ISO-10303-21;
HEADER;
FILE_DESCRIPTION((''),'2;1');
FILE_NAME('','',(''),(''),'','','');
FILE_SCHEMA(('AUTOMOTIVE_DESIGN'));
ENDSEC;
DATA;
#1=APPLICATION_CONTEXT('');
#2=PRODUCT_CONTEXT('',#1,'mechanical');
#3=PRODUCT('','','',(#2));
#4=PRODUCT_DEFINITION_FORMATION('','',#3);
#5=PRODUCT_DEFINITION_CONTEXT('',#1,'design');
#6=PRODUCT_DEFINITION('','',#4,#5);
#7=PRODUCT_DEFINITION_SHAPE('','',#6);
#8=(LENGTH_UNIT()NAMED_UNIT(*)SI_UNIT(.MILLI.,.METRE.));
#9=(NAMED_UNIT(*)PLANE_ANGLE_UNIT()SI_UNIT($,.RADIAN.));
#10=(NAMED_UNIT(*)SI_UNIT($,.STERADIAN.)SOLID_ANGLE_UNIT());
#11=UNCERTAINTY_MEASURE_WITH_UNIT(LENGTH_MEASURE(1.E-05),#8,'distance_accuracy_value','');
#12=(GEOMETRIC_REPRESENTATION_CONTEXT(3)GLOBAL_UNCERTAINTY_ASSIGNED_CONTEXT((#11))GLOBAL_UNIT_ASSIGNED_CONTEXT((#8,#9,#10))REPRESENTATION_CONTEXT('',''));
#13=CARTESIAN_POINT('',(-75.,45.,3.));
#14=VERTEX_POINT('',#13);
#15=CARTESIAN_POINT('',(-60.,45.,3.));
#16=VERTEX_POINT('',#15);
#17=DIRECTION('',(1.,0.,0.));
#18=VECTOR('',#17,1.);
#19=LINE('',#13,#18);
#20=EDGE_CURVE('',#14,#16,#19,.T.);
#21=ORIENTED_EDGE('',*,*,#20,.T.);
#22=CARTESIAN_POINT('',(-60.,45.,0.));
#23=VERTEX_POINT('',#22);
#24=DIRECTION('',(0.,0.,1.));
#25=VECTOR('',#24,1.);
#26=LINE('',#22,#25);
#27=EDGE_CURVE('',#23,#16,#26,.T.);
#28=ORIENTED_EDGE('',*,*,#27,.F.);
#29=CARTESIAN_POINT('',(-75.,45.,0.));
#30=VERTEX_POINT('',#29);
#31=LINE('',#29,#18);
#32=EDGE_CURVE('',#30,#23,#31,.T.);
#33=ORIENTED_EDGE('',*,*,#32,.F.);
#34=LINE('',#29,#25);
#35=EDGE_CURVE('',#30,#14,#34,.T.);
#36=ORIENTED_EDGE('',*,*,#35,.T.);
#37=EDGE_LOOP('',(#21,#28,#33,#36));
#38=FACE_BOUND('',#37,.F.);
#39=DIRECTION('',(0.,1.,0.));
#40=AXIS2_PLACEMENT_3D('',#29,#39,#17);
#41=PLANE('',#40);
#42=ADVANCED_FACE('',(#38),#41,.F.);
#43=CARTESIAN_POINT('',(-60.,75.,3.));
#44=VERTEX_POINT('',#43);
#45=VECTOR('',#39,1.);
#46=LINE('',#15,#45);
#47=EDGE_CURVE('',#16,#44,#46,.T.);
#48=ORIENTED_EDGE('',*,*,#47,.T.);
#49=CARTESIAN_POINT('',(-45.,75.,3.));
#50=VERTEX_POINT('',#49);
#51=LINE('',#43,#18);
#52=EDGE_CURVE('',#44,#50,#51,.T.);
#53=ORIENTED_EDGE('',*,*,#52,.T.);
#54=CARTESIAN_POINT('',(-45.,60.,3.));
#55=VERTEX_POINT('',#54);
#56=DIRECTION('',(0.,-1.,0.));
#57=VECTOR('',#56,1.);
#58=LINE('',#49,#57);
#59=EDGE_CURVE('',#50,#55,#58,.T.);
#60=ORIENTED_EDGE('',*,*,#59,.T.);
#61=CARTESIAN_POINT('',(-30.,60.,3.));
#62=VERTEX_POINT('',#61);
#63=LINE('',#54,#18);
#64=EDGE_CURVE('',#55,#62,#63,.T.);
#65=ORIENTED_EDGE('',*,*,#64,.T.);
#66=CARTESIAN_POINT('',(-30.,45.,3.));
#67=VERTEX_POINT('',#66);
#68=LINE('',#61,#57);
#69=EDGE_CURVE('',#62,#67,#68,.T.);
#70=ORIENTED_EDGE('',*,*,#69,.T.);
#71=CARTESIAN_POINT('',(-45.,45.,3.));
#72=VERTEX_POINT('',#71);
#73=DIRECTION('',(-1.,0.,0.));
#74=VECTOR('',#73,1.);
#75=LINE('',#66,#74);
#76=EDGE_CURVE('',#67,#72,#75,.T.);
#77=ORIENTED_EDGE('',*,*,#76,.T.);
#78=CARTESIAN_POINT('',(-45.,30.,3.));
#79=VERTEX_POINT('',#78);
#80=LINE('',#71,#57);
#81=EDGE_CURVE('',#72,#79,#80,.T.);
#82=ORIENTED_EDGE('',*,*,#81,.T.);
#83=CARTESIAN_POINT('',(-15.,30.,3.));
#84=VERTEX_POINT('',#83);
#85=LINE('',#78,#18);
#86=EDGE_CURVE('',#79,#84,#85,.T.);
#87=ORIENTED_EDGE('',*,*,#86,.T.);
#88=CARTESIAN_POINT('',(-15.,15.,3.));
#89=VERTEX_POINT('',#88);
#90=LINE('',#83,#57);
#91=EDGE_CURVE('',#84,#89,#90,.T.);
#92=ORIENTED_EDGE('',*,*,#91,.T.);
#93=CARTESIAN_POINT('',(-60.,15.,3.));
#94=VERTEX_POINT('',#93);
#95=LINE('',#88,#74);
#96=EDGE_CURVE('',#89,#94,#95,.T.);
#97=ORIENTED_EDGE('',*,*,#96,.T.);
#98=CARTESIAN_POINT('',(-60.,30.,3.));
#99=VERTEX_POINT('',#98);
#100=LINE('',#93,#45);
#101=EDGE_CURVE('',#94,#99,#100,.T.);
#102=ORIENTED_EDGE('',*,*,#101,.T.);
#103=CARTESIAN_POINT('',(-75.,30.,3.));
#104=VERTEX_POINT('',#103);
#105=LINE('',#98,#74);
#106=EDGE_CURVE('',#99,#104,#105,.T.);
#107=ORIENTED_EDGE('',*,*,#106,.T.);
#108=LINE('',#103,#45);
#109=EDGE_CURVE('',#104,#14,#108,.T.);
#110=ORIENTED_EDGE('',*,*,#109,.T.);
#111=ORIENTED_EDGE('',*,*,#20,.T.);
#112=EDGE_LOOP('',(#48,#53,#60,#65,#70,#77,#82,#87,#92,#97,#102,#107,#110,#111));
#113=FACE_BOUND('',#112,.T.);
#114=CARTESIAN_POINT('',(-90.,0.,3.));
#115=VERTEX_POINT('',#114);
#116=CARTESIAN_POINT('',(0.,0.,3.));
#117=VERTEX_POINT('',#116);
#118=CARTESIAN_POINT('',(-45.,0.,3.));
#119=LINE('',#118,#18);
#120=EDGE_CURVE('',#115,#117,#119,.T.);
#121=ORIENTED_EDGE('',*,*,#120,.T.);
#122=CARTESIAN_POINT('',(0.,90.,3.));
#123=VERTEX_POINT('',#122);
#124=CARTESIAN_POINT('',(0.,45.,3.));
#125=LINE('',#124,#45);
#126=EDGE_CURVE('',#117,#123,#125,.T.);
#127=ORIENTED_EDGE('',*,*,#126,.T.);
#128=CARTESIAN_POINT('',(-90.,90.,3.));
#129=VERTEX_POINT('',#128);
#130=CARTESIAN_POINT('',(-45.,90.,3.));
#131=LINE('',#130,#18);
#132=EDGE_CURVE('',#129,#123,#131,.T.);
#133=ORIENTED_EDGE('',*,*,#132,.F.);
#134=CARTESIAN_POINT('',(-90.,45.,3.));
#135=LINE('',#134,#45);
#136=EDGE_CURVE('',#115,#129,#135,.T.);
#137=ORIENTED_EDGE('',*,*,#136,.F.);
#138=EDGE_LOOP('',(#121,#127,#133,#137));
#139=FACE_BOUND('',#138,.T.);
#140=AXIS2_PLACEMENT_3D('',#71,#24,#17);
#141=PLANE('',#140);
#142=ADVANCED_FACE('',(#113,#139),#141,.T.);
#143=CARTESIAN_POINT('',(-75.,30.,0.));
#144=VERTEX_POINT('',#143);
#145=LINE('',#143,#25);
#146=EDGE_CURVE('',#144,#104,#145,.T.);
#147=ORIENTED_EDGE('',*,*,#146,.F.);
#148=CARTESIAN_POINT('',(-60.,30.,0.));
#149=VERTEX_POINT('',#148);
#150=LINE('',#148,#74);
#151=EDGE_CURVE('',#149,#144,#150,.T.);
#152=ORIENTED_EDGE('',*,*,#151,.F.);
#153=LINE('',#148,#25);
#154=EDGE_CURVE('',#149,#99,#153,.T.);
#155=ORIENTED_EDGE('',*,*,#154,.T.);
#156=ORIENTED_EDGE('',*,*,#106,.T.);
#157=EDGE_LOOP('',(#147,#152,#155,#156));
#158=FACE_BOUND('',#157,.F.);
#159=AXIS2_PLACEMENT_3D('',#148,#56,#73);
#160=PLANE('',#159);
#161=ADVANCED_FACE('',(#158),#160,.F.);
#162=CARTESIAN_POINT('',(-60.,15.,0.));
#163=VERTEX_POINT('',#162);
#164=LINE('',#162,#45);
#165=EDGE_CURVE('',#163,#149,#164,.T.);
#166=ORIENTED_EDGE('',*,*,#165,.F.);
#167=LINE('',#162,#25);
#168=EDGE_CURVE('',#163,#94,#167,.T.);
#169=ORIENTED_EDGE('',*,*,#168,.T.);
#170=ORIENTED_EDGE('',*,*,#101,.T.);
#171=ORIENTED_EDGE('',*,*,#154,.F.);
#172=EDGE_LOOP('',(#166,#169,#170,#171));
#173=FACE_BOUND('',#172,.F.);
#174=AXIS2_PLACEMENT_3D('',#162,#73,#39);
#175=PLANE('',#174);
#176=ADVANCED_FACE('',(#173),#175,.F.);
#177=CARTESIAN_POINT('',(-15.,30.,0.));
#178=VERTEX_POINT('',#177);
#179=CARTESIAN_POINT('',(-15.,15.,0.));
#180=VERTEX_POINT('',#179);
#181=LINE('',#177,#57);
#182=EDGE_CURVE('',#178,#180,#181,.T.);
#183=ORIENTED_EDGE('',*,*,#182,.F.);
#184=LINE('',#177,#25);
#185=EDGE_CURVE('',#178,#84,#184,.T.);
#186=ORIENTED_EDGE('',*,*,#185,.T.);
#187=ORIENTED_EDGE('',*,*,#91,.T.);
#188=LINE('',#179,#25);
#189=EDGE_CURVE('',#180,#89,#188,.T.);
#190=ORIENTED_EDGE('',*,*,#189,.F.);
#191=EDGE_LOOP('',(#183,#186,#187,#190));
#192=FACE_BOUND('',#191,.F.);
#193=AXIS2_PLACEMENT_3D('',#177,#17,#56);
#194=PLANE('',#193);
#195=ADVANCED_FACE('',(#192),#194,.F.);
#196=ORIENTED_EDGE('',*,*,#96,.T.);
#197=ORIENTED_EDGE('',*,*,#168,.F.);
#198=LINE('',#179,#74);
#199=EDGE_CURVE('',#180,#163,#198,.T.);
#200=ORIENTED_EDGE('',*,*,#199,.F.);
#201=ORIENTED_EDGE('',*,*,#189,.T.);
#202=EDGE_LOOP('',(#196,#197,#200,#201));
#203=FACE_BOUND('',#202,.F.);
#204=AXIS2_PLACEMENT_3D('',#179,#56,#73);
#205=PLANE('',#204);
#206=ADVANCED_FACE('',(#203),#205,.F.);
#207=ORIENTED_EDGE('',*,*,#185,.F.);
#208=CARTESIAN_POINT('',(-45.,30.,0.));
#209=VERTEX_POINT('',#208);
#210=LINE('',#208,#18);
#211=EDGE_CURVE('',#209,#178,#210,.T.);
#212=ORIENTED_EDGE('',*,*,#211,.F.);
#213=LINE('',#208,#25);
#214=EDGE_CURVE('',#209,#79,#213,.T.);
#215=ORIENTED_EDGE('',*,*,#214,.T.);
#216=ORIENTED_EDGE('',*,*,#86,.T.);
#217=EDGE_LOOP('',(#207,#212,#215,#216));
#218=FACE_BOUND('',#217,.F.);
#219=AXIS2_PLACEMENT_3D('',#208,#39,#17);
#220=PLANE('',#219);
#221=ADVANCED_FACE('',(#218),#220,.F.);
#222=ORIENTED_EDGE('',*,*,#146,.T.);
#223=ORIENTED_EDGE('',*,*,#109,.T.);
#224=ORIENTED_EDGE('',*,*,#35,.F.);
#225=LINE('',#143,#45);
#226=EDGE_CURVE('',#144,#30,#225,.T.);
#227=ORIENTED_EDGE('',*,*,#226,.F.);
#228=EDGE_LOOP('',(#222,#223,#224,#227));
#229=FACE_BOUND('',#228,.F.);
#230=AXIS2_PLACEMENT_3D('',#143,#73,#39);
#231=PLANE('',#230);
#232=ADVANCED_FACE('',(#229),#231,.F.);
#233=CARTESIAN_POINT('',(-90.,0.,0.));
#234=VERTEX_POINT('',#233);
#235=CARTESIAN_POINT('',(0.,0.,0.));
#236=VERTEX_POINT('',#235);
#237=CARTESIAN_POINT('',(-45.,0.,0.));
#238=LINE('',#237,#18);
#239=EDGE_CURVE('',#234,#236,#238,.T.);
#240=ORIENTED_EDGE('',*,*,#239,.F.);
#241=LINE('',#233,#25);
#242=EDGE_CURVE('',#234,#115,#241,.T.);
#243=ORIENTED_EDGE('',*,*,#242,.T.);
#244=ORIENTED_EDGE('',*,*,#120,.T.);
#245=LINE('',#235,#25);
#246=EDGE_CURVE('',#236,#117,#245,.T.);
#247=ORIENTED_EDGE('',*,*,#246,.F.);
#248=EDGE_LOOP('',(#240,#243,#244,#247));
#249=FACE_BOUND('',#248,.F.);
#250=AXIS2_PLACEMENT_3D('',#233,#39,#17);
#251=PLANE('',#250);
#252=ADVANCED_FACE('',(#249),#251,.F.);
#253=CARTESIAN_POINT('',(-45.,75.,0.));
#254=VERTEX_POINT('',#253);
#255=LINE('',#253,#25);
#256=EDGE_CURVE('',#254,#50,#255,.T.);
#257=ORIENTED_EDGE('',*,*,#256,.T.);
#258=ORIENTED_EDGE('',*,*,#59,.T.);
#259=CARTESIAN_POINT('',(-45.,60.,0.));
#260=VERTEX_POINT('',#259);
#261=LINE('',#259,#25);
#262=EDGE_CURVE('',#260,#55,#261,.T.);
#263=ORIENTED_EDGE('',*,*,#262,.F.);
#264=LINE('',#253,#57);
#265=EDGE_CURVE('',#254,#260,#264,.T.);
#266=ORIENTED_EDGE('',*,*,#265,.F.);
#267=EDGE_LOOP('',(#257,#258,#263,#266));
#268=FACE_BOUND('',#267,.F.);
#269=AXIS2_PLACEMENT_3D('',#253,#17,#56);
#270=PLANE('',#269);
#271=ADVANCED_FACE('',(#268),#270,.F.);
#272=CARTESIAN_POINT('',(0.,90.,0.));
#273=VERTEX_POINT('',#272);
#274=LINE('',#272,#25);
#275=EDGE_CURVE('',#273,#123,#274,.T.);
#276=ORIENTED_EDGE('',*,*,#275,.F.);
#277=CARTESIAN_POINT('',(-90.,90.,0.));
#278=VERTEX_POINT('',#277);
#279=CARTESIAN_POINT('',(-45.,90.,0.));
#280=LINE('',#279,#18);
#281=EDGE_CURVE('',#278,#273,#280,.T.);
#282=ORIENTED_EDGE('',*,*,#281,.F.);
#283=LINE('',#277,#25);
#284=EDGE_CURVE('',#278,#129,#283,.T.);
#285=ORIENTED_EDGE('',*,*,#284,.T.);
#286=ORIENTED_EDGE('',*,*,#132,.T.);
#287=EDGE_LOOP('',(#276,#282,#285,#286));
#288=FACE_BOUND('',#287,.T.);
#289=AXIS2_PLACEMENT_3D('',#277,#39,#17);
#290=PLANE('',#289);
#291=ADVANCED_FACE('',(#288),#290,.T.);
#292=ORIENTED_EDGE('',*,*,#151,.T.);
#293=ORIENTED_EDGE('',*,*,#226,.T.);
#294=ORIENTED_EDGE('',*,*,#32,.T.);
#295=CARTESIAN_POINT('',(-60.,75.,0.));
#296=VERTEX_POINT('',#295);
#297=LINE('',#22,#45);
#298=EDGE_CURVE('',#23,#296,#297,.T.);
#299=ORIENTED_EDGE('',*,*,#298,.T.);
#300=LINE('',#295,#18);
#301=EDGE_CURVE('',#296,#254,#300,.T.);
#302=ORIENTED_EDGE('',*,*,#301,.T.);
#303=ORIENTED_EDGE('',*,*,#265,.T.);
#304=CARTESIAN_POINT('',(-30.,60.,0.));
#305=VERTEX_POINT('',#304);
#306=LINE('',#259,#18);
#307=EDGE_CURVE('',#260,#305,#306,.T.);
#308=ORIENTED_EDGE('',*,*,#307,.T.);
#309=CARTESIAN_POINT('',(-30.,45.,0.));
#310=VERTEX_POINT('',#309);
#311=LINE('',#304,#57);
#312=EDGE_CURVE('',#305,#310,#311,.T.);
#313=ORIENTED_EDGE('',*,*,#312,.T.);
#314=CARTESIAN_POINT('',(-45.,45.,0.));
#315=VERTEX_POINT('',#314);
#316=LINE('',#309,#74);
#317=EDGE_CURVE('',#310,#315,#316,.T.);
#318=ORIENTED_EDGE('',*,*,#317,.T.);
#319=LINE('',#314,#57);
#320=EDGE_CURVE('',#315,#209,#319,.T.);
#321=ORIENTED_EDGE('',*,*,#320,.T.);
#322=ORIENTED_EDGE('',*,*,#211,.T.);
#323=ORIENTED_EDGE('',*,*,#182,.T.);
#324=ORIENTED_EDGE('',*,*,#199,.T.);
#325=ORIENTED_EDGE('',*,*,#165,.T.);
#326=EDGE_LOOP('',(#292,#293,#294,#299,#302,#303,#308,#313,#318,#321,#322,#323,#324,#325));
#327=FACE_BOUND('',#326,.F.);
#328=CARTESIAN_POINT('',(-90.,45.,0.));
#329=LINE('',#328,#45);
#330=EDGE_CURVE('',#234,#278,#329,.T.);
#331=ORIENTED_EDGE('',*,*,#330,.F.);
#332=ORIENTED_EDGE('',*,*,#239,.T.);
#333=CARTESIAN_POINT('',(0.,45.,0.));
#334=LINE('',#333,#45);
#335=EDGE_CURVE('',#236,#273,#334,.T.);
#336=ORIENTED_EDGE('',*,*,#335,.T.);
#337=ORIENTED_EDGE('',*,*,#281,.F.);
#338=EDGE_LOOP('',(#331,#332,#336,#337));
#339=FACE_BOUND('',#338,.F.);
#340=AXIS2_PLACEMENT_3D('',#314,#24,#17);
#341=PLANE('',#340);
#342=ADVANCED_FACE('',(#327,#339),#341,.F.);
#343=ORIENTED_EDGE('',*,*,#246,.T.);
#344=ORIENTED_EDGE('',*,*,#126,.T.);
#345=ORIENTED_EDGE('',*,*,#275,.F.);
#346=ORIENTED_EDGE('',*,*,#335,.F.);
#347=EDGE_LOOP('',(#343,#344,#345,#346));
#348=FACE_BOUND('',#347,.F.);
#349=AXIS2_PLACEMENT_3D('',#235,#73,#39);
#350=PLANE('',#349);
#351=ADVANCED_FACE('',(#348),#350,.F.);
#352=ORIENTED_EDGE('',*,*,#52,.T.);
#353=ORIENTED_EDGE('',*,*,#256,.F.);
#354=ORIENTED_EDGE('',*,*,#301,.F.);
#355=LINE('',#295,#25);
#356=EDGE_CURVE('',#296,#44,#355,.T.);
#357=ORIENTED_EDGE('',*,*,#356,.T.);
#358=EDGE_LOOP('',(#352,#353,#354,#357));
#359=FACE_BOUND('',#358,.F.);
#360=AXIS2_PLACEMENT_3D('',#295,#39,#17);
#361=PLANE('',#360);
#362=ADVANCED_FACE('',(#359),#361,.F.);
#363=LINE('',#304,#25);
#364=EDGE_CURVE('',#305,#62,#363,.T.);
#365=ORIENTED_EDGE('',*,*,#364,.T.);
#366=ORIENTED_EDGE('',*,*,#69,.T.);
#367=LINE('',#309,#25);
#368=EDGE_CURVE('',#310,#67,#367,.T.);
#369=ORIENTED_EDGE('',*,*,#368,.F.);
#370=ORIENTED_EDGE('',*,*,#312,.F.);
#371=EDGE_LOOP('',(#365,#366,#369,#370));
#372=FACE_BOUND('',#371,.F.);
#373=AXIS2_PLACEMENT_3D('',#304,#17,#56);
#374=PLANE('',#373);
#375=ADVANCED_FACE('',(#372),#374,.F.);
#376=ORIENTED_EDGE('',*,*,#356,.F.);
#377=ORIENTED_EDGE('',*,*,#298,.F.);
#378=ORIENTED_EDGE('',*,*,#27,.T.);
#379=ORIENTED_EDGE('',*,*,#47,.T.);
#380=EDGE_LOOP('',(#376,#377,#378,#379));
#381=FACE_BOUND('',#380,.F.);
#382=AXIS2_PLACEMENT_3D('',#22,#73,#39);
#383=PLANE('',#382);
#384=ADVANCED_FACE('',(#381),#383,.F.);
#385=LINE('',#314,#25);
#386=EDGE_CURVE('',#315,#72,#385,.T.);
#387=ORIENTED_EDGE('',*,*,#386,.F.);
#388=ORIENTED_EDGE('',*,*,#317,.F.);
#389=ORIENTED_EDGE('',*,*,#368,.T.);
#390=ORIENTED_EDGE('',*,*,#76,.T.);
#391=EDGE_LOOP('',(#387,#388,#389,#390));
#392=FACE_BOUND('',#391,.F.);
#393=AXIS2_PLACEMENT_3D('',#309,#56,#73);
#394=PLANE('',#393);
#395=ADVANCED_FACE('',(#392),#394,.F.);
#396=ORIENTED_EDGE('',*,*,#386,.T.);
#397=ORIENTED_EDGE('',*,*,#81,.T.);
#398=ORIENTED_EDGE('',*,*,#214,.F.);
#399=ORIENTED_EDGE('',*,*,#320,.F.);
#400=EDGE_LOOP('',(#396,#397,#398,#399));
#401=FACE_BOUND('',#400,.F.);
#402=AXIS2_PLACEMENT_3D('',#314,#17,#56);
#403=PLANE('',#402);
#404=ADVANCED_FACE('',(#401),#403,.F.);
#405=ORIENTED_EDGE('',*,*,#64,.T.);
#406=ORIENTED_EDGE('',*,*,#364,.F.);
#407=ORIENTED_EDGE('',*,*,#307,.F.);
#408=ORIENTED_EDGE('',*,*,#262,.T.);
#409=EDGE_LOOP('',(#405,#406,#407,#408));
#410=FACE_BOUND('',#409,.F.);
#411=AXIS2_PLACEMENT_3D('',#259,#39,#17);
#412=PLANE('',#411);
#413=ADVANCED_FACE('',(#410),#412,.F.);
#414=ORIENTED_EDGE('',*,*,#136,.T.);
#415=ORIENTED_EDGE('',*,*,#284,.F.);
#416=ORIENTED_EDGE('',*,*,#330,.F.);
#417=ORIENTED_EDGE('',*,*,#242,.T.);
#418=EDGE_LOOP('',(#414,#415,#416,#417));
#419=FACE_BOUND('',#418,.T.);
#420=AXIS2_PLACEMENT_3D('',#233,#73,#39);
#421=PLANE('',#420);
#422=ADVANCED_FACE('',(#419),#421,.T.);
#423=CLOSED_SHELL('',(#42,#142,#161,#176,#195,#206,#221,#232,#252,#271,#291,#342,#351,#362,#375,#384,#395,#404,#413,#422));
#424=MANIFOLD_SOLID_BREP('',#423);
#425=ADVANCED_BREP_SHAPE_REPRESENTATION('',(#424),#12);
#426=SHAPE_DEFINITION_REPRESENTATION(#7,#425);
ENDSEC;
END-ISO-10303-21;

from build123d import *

# Parameters (mm, degrees)
SKETCH_W     = 90
SKETCH_H     = 90
PAD_DEPTH    = 3
POCKET_DEPTH = 3


with BuildPart() as part:
    # Sketch → Pad (new body)
    with BuildSketch(Plane.XY):
        with Locations((-45, 45)):
            Rectangle(SKETCH_W, SKETCH_H)
    extrude(amount=PAD_DEPTH)

    # Sketch001 (on Face5 of Pad) → Pocket (cut)
    with BuildSketch(Plane(origin=(0, 0, 0), x_dir=(1, 0, 0), z_dir=(0, 0, -1))):
        Polygon((-60, -15), (-60, -30), (-75, -30), (-75, -45), (-60, -45), (-60, -75), (-45, -75), (-45, -60), (-30, -60), (-30, -45), (-45, -45), (-45, -30), (-15, -30), (-15, -15), align=None)
    extrude(amount=-POCKET_DEPTH, mode=Mode.SUBTRACT)


solid = part.part
